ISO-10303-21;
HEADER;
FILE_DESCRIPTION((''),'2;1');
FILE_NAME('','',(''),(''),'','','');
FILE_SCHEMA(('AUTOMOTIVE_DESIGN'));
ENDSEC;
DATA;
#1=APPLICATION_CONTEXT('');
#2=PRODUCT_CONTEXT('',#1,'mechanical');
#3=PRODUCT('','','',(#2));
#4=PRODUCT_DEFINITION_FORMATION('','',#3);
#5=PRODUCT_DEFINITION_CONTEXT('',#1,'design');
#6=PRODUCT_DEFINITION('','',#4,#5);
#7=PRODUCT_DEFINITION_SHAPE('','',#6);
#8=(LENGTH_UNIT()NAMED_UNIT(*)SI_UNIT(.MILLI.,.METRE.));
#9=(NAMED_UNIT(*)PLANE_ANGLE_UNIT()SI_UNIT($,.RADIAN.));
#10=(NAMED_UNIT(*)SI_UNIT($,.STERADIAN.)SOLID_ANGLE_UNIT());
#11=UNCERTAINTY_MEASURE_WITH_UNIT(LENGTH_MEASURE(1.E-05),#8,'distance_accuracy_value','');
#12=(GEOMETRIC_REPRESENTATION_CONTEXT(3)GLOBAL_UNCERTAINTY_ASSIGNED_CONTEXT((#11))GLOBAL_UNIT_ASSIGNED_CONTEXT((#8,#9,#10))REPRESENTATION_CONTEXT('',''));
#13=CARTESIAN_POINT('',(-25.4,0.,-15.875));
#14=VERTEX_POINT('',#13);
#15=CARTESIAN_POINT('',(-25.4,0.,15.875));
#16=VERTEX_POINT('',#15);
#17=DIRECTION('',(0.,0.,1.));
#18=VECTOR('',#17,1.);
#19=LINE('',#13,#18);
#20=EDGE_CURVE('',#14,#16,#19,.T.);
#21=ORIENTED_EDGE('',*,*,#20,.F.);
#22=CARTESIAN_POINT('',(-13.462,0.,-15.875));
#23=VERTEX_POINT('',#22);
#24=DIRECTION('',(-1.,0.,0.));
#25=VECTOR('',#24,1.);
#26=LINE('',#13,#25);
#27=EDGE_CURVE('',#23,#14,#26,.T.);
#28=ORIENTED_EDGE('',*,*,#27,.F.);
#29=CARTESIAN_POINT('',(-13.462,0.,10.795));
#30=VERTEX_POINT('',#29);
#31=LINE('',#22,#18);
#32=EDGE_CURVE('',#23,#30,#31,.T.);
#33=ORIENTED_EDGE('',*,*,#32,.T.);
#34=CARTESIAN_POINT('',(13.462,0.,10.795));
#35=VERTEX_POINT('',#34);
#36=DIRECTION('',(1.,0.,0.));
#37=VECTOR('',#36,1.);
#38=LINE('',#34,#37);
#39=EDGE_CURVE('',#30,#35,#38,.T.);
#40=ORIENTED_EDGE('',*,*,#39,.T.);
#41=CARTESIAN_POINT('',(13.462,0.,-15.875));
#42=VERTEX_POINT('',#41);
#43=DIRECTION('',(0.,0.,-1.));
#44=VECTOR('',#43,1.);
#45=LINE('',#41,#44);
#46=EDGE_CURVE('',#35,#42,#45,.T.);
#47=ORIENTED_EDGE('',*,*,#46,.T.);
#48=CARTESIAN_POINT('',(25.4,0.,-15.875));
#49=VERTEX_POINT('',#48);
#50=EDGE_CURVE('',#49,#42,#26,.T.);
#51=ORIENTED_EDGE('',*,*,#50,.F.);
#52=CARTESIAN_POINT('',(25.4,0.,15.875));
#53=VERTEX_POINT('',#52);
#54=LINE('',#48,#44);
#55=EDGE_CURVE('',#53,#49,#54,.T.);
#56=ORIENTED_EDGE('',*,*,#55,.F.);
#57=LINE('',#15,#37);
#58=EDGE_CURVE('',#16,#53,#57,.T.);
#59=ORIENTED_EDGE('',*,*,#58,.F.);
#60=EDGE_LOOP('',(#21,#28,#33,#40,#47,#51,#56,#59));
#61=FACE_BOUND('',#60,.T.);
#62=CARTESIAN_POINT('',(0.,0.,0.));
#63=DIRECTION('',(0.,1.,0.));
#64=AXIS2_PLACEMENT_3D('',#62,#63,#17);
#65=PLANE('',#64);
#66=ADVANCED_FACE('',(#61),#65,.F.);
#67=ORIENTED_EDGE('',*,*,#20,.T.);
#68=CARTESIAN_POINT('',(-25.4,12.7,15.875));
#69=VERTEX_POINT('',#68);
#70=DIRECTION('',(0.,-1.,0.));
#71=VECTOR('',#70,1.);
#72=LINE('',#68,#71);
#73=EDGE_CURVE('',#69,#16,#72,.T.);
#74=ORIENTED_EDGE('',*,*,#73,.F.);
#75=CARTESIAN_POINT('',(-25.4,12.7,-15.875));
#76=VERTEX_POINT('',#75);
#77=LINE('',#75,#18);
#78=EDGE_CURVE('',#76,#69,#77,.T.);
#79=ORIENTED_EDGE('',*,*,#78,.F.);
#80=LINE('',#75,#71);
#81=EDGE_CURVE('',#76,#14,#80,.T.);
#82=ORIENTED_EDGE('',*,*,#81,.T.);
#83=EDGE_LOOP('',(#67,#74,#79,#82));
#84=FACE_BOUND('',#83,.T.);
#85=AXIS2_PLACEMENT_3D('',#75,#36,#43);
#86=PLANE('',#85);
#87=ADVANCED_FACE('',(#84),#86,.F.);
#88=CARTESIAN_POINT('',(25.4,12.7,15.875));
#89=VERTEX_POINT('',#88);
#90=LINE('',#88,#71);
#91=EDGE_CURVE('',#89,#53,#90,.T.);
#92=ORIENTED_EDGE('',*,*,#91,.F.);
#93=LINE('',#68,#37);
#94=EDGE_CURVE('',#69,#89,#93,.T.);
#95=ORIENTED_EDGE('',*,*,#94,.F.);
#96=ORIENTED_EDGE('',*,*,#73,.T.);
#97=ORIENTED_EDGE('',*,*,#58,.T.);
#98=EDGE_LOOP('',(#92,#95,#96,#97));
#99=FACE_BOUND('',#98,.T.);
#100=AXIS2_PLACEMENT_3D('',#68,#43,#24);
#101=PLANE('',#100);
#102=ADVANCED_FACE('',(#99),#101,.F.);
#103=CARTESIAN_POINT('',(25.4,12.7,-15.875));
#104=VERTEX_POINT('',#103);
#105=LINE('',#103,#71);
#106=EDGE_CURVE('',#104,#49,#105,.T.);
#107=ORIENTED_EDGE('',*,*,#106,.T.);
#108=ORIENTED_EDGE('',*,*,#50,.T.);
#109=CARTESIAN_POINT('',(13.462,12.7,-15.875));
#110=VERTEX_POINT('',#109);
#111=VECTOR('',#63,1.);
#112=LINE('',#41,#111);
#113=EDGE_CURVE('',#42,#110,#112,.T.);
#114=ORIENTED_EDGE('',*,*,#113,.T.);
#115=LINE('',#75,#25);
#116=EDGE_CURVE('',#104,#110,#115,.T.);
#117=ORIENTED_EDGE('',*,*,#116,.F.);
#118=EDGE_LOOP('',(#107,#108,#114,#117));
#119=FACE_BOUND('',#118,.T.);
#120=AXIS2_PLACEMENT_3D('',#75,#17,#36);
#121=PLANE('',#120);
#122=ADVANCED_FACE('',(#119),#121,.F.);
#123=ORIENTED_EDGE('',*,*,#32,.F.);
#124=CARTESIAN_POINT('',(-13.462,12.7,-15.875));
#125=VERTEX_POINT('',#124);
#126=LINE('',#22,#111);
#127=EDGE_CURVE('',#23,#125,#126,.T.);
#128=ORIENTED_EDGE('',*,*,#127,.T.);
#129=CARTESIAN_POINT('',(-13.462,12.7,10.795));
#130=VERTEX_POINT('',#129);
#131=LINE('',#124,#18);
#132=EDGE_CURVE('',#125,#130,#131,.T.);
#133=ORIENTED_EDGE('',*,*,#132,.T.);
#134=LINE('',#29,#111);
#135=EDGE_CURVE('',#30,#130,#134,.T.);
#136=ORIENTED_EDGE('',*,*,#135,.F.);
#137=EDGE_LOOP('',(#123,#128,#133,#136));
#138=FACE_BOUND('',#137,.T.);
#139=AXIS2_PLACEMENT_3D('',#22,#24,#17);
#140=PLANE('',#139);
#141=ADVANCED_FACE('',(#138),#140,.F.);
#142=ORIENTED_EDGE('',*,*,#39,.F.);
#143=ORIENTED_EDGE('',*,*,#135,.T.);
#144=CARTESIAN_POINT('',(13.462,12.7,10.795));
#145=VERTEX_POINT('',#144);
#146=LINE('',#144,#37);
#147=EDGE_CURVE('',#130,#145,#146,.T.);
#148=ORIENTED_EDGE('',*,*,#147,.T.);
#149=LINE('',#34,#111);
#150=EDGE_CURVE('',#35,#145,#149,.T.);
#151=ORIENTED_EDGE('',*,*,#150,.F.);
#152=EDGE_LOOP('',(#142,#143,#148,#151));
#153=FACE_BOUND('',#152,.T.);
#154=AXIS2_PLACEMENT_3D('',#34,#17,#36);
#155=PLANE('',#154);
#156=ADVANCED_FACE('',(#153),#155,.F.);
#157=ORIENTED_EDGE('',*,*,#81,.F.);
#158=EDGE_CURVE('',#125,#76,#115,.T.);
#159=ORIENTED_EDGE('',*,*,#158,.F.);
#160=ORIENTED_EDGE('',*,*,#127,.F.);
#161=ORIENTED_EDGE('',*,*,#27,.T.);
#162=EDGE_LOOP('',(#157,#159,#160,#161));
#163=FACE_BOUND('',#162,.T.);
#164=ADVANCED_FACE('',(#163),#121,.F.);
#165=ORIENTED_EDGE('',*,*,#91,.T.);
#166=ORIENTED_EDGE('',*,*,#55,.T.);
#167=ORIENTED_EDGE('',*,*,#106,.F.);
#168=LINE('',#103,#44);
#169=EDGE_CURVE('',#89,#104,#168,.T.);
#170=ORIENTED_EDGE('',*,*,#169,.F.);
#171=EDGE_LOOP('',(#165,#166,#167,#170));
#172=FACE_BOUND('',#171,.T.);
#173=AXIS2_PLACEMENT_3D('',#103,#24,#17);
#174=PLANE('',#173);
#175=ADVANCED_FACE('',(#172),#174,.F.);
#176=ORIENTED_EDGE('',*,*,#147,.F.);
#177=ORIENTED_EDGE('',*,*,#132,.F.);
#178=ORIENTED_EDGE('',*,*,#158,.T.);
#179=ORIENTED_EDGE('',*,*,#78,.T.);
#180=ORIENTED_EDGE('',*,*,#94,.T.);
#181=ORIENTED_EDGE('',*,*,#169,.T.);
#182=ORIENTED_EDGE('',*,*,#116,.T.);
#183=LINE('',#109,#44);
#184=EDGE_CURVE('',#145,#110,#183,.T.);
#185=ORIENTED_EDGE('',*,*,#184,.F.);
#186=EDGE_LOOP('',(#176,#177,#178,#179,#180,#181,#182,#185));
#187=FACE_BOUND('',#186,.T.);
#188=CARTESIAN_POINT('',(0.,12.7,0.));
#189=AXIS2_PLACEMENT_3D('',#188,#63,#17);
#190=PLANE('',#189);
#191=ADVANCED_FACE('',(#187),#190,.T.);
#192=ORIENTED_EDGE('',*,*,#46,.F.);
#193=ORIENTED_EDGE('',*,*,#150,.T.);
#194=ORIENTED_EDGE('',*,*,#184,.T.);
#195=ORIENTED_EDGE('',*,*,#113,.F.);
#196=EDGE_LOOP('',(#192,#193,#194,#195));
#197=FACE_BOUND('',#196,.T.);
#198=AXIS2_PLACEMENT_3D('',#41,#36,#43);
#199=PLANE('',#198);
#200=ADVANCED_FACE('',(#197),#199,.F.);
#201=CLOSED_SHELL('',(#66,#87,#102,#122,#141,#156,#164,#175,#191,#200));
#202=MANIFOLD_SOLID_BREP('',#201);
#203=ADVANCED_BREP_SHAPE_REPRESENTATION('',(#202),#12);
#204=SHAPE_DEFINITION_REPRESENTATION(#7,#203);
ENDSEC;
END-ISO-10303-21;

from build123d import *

# Parameters (mm, degrees)
SKETCH1_W           = 50.8
SKETCH1_H           = 31.75
BOSS_EXTRUDE1_DEPTH = 12.7
SKETCH2_W           = 26.924
SKETCH2_H           = 26.67
CUT_EXTRUDE1_DEPTH  = 12.7


with BuildPart() as part:
    # Sketch1 → Boss-Extrude1 (new body)
    with BuildSketch(Plane(origin=(0, 0, 0), x_dir=(1, 0, 0), z_dir=(0, 1, 0))):
        Rectangle(SKETCH1_W, SKETCH1_H)
    extrude(amount=BOSS_EXTRUDE1_DEPTH)

    # Sketch2 → Cut-Extrude1 (cut)
    with BuildSketch(Plane(origin=(0, 12.7, 0), x_dir=(1, 0, 0), z_dir=(0, 1, 0))):
        with Locations((0, 2.54)):
            Rectangle(SKETCH2_W, SKETCH2_H)
    extrude(amount=-CUT_EXTRUDE1_DEPTH, mode=Mode.SUBTRACT)


solid = part.part
